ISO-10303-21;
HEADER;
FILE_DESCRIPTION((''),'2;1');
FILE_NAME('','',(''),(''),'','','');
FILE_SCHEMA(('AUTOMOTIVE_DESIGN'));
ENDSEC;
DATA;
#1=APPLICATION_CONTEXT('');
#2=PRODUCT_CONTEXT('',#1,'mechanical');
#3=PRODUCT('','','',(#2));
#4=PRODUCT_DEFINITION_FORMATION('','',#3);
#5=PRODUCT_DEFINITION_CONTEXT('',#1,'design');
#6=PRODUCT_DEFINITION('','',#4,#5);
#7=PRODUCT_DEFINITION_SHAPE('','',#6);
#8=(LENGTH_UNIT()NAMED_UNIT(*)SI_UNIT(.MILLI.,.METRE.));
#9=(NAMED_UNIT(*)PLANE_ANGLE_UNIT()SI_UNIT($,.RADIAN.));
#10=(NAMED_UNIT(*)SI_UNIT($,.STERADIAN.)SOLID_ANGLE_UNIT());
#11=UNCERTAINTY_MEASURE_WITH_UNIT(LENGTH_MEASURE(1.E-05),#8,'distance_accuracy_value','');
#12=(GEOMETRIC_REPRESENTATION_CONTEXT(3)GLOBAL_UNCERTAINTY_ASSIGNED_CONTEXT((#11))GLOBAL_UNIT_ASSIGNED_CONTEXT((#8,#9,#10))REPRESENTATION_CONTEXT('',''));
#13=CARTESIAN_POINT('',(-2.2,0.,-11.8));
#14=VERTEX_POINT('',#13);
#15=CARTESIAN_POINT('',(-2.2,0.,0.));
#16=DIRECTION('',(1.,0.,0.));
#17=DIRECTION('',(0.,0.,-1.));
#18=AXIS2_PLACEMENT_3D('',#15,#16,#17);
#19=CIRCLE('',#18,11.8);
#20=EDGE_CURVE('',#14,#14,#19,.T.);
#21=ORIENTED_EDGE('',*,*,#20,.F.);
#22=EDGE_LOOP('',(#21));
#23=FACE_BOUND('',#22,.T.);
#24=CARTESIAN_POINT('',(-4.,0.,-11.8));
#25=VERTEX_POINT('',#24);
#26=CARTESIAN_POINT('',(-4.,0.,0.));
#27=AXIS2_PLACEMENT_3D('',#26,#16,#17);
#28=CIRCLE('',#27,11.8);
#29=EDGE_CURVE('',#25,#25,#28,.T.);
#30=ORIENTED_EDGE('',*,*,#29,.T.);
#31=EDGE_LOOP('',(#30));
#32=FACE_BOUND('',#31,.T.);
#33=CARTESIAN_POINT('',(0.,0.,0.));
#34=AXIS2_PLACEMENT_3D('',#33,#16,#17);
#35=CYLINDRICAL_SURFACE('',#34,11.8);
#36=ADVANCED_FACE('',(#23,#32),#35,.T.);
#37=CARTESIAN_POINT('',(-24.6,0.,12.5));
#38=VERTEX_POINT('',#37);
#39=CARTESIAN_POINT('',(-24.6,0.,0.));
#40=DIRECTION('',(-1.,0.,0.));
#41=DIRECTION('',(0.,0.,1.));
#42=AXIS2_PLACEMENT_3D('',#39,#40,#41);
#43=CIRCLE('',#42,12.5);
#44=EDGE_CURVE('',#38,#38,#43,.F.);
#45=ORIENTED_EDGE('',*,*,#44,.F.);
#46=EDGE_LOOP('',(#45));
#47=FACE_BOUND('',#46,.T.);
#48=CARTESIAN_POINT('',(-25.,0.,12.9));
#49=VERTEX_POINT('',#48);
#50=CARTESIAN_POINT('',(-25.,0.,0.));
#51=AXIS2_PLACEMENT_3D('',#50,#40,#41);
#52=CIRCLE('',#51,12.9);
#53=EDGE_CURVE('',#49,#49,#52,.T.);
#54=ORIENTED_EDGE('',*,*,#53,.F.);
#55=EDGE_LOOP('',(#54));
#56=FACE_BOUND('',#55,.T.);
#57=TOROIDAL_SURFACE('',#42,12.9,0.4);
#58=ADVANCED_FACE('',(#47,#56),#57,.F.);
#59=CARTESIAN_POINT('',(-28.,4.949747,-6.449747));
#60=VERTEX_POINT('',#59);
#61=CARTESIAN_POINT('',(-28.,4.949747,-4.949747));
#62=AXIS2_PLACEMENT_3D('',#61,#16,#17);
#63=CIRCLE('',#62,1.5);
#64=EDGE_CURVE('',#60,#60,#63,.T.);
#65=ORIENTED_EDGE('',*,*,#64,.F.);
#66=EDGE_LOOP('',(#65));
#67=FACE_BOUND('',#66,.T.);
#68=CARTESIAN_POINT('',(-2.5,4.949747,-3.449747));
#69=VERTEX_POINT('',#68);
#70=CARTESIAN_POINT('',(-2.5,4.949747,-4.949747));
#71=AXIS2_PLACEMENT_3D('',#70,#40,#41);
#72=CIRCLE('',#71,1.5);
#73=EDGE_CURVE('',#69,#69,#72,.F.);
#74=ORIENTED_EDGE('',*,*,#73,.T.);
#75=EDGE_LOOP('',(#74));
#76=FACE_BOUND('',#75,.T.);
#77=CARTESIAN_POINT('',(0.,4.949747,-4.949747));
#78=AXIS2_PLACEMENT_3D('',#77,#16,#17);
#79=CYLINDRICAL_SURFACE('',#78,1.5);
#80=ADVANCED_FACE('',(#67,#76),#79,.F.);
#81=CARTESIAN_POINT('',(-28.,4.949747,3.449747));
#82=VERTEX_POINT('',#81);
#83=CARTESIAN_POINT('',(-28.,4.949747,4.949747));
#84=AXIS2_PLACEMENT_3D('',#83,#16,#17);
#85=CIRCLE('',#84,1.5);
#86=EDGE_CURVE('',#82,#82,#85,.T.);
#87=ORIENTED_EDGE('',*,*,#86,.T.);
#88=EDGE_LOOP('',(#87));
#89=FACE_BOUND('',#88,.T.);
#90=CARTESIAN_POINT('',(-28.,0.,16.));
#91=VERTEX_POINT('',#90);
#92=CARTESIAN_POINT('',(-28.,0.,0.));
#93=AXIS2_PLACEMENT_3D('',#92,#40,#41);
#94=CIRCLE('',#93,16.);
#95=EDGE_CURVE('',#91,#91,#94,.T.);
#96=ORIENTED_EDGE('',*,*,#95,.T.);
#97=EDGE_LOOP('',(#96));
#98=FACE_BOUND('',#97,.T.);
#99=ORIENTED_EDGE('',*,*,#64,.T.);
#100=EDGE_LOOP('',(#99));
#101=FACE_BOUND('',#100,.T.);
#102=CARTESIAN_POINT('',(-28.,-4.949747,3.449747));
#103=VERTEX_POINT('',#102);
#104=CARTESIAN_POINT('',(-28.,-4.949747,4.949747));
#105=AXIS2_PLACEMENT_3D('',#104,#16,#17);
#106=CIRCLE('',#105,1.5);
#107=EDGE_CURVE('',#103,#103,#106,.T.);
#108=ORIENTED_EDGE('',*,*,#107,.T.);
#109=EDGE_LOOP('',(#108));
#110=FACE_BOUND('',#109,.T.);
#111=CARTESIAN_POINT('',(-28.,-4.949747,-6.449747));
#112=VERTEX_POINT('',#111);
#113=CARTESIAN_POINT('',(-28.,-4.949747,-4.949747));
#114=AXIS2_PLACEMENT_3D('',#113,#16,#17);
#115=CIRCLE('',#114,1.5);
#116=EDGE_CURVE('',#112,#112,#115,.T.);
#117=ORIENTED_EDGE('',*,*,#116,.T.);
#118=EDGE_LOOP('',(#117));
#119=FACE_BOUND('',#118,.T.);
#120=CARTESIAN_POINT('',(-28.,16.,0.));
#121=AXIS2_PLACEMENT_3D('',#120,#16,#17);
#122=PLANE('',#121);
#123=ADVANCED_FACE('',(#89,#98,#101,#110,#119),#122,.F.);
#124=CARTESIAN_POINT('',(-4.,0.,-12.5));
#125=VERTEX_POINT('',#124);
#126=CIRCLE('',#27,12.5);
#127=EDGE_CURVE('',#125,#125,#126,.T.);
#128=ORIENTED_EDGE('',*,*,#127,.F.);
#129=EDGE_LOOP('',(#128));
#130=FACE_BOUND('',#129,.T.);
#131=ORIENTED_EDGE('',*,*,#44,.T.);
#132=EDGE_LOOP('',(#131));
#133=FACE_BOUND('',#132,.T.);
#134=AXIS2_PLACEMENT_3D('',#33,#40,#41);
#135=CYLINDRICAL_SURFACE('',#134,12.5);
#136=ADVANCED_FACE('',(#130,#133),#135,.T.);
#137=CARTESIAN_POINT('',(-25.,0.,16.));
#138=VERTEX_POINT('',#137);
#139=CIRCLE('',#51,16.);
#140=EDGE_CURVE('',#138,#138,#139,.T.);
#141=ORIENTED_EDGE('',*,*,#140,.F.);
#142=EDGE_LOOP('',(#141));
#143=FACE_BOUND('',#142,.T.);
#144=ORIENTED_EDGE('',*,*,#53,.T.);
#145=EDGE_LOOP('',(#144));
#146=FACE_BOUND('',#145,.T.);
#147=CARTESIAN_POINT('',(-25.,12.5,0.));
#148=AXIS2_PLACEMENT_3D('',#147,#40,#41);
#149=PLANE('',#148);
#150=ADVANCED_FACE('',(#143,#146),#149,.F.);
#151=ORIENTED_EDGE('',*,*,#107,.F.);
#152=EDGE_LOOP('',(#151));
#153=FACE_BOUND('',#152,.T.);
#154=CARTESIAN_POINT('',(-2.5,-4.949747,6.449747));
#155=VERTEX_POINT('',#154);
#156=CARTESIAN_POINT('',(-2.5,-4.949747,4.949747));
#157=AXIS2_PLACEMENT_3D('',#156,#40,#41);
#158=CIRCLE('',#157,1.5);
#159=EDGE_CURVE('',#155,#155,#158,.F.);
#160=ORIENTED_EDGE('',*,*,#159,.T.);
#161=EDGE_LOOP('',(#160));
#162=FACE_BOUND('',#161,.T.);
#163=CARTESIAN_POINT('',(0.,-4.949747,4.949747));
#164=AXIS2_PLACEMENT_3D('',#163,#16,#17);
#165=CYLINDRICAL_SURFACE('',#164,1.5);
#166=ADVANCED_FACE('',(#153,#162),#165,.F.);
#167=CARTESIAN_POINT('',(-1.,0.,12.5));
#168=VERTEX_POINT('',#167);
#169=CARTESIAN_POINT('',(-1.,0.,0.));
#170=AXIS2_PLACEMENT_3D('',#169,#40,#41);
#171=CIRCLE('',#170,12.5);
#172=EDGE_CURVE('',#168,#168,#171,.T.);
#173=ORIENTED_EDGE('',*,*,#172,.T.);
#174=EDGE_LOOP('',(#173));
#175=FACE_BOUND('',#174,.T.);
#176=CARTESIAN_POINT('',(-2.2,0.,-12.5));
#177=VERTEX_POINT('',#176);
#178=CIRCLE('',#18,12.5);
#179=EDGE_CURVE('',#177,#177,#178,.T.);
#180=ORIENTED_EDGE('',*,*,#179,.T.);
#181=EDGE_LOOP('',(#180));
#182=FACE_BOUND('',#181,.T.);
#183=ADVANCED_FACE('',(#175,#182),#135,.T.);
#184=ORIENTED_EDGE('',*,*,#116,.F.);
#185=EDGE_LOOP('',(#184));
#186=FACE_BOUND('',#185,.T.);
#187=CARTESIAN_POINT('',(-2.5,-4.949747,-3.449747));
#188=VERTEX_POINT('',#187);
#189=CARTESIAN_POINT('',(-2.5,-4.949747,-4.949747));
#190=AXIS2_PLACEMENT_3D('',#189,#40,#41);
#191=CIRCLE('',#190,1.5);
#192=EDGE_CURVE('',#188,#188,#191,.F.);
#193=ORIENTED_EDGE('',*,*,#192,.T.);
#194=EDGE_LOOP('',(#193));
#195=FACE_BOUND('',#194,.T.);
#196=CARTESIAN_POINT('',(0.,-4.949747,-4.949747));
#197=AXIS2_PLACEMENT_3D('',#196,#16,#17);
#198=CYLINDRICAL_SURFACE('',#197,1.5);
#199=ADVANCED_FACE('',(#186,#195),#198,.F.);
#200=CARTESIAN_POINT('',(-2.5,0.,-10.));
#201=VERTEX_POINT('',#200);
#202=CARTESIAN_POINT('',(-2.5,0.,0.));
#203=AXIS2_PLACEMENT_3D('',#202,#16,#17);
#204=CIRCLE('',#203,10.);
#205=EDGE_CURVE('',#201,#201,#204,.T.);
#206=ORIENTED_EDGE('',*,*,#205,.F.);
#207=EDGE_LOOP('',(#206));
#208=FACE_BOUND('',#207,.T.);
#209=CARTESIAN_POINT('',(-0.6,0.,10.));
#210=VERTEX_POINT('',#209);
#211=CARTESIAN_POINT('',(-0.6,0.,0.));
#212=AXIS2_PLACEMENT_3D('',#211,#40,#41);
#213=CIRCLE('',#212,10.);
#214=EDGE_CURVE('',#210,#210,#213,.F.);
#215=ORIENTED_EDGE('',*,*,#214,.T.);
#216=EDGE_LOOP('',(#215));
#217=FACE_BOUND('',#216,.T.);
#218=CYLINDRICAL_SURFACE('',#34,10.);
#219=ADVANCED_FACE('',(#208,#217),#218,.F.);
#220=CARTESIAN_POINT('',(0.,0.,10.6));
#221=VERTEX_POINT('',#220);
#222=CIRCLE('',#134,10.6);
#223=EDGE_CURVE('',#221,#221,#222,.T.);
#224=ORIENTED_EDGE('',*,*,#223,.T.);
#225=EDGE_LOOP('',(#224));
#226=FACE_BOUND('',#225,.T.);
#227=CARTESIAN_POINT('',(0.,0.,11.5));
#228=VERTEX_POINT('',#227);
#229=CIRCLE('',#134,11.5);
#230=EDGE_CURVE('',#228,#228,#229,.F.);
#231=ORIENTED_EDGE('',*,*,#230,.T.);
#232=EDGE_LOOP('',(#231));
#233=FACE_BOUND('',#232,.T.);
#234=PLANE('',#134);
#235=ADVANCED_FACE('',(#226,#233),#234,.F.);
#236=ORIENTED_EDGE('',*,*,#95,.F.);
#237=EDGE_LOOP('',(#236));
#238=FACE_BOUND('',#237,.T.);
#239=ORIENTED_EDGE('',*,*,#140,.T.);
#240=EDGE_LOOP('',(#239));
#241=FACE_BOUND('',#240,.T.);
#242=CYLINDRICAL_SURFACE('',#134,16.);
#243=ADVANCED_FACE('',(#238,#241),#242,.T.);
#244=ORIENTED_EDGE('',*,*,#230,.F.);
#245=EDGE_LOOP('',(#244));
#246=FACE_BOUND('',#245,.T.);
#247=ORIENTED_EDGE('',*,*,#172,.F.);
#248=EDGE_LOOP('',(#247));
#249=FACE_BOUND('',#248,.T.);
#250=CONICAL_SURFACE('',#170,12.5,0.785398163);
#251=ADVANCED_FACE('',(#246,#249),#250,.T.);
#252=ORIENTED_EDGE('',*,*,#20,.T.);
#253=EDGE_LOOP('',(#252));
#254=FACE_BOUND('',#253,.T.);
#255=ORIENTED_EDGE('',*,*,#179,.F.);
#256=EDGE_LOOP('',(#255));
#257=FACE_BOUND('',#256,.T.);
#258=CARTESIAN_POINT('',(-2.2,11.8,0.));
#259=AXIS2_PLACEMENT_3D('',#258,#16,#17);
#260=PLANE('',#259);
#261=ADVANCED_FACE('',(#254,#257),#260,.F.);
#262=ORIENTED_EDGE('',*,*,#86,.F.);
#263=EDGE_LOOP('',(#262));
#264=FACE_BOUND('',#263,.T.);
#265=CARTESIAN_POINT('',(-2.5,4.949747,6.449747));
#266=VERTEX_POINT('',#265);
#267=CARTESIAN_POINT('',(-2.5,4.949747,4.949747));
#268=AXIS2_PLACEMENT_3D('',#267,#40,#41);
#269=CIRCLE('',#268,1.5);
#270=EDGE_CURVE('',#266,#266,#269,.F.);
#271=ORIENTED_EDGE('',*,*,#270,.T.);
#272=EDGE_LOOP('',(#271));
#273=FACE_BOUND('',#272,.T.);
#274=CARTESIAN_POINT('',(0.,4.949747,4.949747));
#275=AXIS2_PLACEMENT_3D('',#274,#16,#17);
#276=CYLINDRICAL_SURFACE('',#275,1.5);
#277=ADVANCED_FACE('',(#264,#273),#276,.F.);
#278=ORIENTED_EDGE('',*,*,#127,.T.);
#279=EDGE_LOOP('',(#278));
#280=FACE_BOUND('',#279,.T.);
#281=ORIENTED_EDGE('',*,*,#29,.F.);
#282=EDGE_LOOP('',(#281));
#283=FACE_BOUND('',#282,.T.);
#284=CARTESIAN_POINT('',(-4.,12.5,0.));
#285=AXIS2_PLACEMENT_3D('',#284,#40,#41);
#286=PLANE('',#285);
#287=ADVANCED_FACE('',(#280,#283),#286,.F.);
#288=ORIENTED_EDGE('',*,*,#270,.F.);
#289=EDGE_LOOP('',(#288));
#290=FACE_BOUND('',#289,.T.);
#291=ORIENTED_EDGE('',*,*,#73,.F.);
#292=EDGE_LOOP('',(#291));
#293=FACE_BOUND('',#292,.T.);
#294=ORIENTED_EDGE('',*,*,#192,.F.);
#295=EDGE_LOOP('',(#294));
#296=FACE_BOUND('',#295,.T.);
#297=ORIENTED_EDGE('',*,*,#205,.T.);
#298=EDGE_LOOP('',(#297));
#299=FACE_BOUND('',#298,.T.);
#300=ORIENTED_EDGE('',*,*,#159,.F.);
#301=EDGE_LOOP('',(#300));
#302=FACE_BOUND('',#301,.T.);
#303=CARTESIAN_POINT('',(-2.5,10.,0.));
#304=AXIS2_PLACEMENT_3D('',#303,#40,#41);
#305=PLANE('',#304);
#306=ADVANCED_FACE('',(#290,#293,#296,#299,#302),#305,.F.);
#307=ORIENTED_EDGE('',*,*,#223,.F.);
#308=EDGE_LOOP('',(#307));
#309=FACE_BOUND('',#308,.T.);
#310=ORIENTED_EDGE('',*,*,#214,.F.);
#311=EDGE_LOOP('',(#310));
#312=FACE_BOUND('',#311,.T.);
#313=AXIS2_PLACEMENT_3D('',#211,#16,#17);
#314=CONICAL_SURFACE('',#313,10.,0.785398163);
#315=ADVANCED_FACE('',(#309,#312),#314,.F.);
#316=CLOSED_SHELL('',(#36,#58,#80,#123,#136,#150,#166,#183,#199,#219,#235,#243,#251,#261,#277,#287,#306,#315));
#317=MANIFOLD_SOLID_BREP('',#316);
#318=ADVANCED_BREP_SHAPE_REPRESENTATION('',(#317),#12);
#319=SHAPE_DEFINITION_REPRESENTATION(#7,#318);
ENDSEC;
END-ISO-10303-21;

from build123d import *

# Parameters (mm, degrees)
SKETCH_2_W               = 1.8
SKETCH_2_H               = 0.7
CHAMFER_1_SIZE           = 1
FILLET_1_R               = 0.4
HOLE_WIZARD_1_D          = 3
PATTERN_CIRCULAR_1_COUNT = 4
SKETCH_5_W               = 2.5
SKETCH_5_H               = 10
CHAMFER_2_SIZE           = 0.6


with BuildPart() as part:
    # Эскиз1 → Повернуть1 (revolve)
    with BuildSketch(Plane.XY, mode=Mode.PRIVATE) as revolve_1_sk:
        Polygon((0, 0), (0, 12.5), (-25, 12.5), (-25, 16), (-28, 16), (-28, 0), align=None)
    revolve(revolve_1_sk.sketch.rotate(Axis((0, 0, 0), (1, 0, 0)), 90), axis=Axis((0, 0, 0), (1, 0, 0)))

    # Эскиз2 → Вырез-Повернуть1 (revolve, cut)
    with BuildSketch(Plane.XY, mode=Mode.PRIVATE) as cut_revolve_1_sk:
        with Locations((-3.1, 12.15)):
            Rectangle(SKETCH_2_W, SKETCH_2_H)
    revolve(cut_revolve_1_sk.sketch.rotate(Axis((0, 0, 0), (-1, 0, 0)), 270), axis=Axis((0, 0, 0), (-1, 0, 0)), mode=Mode.SUBTRACT)

    # Фаска1
    chamfer_1_edges = [part.edges().sort_by_distance(p)[0] for p in [
        (0, 0, -12.5),
    ]]
    chamfer(chamfer_1_edges, length=CHAMFER_1_SIZE)

    # Скругление1
    fillet_1_edges = [part.edges().sort_by_distance(p)[0] for p in [
        (-25, 0, -12.5),
    ]]
    fillet(fillet_1_edges, radius=FILLET_1_R)

    # Отверстие1 (through all)
    with Locations(Plane(origin=(0, 0, 0), x_dir=(0, 0, -1), z_dir=(1, 0, 0))):
        with Locations((4.949747468, 4.949747468)):
            hole_wizard_1 = Hole(HOLE_WIZARD_1_D / 2)

    # Круговой массив1: Отверстие1 ×4 about axis
    pattern_circular_1_axis = Axis((0, 0, 0), (1, 0, 0))
    for i in range(1, PATTERN_CIRCULAR_1_COUNT):
        add(hole_wizard_1.rotate(pattern_circular_1_axis, i * 360 / PATTERN_CIRCULAR_1_COUNT), mode=Mode.SUBTRACT)

    # Эскиз5 → Вырез-Повернуть2 (revolve, cut)
    with BuildSketch(Plane.XY, mode=Mode.PRIVATE) as cut_revolve_2_sk:
        with Locations((-1.25, 5)):
            Rectangle(SKETCH_5_W, SKETCH_5_H)
    revolve(cut_revolve_2_sk.sketch.rotate(Axis((0, 0, 0), (-1, 0, 0)), 90), axis=Axis((0, 0, 0), (-1, 0, 0)), mode=Mode.SUBTRACT)

    # Фаска2
    chamfer_2_edges = [part.edges().sort_by_distance(p)[0] for p in [
        (0, 0, 10),
    ]]
    chamfer(chamfer_2_edges, length=CHAMFER_2_SIZE)


solid = part.part
